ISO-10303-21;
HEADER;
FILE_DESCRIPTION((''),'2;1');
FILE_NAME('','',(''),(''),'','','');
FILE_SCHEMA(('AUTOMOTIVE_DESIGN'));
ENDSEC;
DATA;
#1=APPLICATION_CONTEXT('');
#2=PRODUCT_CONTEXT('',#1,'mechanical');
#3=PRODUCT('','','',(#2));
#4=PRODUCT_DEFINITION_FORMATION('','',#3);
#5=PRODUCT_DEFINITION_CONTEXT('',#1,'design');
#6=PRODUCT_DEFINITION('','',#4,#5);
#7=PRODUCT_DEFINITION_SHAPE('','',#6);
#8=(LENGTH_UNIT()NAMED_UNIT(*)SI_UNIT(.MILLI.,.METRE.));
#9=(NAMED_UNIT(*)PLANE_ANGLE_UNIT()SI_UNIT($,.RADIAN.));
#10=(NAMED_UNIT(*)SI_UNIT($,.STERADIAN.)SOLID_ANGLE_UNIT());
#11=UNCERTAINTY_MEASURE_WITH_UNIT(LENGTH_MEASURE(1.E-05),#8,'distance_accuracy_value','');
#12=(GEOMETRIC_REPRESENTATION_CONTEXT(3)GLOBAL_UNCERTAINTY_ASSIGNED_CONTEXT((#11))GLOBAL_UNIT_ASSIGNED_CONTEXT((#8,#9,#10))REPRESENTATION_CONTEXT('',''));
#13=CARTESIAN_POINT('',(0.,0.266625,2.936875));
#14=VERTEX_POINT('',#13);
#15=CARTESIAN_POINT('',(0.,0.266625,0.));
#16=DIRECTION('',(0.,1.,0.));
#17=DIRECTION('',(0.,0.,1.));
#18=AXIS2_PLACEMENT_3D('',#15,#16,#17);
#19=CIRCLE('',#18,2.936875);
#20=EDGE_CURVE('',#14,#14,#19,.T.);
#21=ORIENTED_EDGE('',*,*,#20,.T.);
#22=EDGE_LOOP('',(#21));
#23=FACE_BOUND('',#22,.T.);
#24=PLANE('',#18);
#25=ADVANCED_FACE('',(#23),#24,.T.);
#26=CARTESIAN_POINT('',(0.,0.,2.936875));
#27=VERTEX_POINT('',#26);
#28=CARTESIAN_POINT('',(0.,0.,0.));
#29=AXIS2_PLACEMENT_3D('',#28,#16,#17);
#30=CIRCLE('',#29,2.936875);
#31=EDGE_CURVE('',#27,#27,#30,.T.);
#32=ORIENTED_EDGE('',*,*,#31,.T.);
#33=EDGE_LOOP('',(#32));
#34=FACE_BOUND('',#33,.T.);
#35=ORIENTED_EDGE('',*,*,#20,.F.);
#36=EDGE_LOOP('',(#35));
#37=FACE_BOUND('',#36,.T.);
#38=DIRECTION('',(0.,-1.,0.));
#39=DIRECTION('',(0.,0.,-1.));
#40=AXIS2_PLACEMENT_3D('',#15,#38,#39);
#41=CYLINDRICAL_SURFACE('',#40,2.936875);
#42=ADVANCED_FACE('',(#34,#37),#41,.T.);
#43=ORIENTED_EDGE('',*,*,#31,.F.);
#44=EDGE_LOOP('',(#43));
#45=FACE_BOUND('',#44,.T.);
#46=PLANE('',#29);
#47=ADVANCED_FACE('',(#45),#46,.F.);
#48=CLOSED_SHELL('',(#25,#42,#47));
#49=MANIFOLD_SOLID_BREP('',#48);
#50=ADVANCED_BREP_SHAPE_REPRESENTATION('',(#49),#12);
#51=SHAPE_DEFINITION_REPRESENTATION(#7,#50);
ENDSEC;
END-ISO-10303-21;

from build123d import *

# Parameters (mm, degrees)
SKETCH1_R = 2.936875
CAP_DEPTH = 0.26662507


with BuildPart() as part:
    # Sketch1 → cap (new body)
    with BuildSketch(Plane(origin=(0, 0, 0), x_dir=(1, 0, 0), z_dir=(0, 1, 0))):
        with Locations(Location((0, 0, 0), (0, 0, 270))):
            Circle(SKETCH1_R)
    extrude(amount=CAP_DEPTH)


solid = part.part
